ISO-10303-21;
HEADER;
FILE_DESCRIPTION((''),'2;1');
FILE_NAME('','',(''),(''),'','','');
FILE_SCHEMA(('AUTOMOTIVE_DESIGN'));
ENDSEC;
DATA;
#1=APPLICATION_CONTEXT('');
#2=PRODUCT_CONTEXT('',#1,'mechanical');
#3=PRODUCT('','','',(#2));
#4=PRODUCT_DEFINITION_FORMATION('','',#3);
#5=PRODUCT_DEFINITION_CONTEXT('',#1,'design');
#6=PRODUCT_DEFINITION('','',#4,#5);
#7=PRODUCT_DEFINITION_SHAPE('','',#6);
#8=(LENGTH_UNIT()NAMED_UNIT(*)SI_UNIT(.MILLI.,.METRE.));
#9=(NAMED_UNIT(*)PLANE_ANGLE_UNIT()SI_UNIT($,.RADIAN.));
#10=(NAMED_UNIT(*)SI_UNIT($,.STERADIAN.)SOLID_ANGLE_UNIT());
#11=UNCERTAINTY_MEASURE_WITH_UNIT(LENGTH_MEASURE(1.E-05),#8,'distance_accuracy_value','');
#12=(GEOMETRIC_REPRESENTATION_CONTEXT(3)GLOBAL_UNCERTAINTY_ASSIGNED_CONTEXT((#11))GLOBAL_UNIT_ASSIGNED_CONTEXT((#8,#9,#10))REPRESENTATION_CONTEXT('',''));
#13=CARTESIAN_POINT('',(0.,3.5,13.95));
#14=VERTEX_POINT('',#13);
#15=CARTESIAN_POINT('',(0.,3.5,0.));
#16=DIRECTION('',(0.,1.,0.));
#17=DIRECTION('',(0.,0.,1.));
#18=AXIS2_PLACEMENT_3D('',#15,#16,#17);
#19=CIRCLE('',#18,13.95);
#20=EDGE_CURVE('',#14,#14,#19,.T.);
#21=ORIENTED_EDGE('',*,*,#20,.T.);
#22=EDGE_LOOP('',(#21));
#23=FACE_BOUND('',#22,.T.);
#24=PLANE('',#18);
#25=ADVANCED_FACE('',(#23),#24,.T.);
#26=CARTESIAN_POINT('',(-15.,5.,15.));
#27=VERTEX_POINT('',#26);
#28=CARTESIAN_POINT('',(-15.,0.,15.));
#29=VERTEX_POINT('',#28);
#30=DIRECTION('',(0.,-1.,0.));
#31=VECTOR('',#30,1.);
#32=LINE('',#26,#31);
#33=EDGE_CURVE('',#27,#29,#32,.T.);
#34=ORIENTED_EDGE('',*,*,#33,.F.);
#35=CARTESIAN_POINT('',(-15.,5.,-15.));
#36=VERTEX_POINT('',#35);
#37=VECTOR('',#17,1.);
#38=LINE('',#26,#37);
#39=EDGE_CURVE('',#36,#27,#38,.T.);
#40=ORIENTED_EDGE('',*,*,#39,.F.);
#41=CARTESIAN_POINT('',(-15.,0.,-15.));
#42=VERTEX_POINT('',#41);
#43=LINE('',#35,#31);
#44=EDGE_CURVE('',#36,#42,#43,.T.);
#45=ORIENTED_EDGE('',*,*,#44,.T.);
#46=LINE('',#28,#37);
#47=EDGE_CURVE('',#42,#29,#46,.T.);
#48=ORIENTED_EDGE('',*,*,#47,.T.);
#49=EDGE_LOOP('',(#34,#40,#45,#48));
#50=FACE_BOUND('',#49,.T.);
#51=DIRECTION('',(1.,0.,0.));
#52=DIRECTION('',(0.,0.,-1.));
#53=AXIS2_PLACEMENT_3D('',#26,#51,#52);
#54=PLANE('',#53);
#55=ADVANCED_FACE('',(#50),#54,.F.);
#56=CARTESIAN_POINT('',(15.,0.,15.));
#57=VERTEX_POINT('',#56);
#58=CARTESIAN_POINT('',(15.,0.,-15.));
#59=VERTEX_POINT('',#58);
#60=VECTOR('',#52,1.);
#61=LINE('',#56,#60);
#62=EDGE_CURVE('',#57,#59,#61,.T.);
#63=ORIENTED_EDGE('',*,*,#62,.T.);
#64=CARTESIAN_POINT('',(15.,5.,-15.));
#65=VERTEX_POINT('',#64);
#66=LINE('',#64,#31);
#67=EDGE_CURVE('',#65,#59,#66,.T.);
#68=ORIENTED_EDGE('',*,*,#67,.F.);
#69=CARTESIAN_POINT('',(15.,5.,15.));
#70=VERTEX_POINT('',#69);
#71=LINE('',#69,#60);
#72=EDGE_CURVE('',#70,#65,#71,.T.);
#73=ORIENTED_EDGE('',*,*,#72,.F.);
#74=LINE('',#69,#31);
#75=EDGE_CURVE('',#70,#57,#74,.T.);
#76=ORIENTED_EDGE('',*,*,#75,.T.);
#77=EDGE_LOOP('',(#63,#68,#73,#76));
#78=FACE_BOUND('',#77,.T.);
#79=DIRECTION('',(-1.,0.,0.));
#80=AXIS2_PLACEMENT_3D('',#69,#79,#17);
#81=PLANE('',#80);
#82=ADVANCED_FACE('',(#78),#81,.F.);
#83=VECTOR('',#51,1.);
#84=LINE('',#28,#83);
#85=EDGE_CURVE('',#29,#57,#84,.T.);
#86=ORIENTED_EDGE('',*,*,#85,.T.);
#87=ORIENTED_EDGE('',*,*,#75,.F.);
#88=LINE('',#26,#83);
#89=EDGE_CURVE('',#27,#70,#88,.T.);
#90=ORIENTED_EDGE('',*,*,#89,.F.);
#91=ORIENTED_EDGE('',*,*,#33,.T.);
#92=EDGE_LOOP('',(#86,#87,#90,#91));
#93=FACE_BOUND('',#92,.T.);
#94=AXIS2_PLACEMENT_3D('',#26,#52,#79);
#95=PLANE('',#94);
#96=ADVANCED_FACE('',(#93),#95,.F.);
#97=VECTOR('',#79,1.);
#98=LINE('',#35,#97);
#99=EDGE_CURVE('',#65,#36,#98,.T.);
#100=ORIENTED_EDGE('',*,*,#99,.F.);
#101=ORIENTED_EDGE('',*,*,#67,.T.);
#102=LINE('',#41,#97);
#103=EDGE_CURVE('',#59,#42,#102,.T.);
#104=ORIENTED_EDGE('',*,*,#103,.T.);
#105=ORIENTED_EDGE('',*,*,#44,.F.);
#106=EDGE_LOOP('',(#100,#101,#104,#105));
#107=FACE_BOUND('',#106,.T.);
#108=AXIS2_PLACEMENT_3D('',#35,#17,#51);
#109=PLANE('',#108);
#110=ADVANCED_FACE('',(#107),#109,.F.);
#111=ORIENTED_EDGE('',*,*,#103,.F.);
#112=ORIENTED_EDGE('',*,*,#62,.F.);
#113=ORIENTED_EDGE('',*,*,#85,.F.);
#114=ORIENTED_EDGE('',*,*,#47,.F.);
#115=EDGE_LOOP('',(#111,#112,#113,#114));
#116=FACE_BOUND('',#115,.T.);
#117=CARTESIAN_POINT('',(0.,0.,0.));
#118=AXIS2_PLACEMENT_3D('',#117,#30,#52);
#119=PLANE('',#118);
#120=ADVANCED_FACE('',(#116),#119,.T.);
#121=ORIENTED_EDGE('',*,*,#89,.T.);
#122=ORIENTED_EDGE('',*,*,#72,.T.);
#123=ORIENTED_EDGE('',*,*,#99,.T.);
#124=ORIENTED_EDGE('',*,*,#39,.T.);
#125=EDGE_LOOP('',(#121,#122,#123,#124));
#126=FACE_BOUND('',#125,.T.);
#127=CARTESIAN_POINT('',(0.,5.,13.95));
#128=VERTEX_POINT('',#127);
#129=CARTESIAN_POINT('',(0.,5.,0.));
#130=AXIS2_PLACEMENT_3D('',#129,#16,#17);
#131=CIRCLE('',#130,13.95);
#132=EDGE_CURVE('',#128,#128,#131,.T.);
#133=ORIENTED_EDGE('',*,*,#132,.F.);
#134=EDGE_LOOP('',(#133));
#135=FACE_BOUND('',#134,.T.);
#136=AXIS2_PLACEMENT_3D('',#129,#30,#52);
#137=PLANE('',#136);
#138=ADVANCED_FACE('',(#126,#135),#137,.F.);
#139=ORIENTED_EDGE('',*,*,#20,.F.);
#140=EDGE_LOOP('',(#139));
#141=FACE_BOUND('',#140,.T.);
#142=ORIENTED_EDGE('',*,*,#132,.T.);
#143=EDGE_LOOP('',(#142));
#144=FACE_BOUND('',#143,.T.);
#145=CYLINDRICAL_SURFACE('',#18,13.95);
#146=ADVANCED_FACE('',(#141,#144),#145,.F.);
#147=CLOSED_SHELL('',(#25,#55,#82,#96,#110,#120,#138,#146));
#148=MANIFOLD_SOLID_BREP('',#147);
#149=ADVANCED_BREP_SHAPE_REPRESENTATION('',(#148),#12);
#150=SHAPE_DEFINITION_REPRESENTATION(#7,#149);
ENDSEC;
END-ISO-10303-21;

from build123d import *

# Parameters (mm, degrees)
SKETCH1_W           = 30
SKETCH1_H           = 30
BOSS_EXTRUDE1_DEPTH = 5
SKETCH2_R           = 13.95
CUT_EXTRUDE1_DEPTH  = 1.5


with BuildPart() as part:
    # Sketch1 → Boss-Extrude1 (new body)
    with BuildSketch(Plane(origin=(0, 0, 0), x_dir=(1, 0, 0), z_dir=(0, 1, 0))):
        Rectangle(SKETCH1_W, SKETCH1_H)
    extrude(amount=BOSS_EXTRUDE1_DEPTH)

    # Sketch2 → Cut-Extrude1 (cut)
    with BuildSketch(Plane(origin=(0, 5, 0), x_dir=(1, 0, 0), z_dir=(0, 1, 0))):
        Circle(SKETCH2_R)
    extrude(amount=-CUT_EXTRUDE1_DEPTH, mode=Mode.SUBTRACT)


solid = part.part
